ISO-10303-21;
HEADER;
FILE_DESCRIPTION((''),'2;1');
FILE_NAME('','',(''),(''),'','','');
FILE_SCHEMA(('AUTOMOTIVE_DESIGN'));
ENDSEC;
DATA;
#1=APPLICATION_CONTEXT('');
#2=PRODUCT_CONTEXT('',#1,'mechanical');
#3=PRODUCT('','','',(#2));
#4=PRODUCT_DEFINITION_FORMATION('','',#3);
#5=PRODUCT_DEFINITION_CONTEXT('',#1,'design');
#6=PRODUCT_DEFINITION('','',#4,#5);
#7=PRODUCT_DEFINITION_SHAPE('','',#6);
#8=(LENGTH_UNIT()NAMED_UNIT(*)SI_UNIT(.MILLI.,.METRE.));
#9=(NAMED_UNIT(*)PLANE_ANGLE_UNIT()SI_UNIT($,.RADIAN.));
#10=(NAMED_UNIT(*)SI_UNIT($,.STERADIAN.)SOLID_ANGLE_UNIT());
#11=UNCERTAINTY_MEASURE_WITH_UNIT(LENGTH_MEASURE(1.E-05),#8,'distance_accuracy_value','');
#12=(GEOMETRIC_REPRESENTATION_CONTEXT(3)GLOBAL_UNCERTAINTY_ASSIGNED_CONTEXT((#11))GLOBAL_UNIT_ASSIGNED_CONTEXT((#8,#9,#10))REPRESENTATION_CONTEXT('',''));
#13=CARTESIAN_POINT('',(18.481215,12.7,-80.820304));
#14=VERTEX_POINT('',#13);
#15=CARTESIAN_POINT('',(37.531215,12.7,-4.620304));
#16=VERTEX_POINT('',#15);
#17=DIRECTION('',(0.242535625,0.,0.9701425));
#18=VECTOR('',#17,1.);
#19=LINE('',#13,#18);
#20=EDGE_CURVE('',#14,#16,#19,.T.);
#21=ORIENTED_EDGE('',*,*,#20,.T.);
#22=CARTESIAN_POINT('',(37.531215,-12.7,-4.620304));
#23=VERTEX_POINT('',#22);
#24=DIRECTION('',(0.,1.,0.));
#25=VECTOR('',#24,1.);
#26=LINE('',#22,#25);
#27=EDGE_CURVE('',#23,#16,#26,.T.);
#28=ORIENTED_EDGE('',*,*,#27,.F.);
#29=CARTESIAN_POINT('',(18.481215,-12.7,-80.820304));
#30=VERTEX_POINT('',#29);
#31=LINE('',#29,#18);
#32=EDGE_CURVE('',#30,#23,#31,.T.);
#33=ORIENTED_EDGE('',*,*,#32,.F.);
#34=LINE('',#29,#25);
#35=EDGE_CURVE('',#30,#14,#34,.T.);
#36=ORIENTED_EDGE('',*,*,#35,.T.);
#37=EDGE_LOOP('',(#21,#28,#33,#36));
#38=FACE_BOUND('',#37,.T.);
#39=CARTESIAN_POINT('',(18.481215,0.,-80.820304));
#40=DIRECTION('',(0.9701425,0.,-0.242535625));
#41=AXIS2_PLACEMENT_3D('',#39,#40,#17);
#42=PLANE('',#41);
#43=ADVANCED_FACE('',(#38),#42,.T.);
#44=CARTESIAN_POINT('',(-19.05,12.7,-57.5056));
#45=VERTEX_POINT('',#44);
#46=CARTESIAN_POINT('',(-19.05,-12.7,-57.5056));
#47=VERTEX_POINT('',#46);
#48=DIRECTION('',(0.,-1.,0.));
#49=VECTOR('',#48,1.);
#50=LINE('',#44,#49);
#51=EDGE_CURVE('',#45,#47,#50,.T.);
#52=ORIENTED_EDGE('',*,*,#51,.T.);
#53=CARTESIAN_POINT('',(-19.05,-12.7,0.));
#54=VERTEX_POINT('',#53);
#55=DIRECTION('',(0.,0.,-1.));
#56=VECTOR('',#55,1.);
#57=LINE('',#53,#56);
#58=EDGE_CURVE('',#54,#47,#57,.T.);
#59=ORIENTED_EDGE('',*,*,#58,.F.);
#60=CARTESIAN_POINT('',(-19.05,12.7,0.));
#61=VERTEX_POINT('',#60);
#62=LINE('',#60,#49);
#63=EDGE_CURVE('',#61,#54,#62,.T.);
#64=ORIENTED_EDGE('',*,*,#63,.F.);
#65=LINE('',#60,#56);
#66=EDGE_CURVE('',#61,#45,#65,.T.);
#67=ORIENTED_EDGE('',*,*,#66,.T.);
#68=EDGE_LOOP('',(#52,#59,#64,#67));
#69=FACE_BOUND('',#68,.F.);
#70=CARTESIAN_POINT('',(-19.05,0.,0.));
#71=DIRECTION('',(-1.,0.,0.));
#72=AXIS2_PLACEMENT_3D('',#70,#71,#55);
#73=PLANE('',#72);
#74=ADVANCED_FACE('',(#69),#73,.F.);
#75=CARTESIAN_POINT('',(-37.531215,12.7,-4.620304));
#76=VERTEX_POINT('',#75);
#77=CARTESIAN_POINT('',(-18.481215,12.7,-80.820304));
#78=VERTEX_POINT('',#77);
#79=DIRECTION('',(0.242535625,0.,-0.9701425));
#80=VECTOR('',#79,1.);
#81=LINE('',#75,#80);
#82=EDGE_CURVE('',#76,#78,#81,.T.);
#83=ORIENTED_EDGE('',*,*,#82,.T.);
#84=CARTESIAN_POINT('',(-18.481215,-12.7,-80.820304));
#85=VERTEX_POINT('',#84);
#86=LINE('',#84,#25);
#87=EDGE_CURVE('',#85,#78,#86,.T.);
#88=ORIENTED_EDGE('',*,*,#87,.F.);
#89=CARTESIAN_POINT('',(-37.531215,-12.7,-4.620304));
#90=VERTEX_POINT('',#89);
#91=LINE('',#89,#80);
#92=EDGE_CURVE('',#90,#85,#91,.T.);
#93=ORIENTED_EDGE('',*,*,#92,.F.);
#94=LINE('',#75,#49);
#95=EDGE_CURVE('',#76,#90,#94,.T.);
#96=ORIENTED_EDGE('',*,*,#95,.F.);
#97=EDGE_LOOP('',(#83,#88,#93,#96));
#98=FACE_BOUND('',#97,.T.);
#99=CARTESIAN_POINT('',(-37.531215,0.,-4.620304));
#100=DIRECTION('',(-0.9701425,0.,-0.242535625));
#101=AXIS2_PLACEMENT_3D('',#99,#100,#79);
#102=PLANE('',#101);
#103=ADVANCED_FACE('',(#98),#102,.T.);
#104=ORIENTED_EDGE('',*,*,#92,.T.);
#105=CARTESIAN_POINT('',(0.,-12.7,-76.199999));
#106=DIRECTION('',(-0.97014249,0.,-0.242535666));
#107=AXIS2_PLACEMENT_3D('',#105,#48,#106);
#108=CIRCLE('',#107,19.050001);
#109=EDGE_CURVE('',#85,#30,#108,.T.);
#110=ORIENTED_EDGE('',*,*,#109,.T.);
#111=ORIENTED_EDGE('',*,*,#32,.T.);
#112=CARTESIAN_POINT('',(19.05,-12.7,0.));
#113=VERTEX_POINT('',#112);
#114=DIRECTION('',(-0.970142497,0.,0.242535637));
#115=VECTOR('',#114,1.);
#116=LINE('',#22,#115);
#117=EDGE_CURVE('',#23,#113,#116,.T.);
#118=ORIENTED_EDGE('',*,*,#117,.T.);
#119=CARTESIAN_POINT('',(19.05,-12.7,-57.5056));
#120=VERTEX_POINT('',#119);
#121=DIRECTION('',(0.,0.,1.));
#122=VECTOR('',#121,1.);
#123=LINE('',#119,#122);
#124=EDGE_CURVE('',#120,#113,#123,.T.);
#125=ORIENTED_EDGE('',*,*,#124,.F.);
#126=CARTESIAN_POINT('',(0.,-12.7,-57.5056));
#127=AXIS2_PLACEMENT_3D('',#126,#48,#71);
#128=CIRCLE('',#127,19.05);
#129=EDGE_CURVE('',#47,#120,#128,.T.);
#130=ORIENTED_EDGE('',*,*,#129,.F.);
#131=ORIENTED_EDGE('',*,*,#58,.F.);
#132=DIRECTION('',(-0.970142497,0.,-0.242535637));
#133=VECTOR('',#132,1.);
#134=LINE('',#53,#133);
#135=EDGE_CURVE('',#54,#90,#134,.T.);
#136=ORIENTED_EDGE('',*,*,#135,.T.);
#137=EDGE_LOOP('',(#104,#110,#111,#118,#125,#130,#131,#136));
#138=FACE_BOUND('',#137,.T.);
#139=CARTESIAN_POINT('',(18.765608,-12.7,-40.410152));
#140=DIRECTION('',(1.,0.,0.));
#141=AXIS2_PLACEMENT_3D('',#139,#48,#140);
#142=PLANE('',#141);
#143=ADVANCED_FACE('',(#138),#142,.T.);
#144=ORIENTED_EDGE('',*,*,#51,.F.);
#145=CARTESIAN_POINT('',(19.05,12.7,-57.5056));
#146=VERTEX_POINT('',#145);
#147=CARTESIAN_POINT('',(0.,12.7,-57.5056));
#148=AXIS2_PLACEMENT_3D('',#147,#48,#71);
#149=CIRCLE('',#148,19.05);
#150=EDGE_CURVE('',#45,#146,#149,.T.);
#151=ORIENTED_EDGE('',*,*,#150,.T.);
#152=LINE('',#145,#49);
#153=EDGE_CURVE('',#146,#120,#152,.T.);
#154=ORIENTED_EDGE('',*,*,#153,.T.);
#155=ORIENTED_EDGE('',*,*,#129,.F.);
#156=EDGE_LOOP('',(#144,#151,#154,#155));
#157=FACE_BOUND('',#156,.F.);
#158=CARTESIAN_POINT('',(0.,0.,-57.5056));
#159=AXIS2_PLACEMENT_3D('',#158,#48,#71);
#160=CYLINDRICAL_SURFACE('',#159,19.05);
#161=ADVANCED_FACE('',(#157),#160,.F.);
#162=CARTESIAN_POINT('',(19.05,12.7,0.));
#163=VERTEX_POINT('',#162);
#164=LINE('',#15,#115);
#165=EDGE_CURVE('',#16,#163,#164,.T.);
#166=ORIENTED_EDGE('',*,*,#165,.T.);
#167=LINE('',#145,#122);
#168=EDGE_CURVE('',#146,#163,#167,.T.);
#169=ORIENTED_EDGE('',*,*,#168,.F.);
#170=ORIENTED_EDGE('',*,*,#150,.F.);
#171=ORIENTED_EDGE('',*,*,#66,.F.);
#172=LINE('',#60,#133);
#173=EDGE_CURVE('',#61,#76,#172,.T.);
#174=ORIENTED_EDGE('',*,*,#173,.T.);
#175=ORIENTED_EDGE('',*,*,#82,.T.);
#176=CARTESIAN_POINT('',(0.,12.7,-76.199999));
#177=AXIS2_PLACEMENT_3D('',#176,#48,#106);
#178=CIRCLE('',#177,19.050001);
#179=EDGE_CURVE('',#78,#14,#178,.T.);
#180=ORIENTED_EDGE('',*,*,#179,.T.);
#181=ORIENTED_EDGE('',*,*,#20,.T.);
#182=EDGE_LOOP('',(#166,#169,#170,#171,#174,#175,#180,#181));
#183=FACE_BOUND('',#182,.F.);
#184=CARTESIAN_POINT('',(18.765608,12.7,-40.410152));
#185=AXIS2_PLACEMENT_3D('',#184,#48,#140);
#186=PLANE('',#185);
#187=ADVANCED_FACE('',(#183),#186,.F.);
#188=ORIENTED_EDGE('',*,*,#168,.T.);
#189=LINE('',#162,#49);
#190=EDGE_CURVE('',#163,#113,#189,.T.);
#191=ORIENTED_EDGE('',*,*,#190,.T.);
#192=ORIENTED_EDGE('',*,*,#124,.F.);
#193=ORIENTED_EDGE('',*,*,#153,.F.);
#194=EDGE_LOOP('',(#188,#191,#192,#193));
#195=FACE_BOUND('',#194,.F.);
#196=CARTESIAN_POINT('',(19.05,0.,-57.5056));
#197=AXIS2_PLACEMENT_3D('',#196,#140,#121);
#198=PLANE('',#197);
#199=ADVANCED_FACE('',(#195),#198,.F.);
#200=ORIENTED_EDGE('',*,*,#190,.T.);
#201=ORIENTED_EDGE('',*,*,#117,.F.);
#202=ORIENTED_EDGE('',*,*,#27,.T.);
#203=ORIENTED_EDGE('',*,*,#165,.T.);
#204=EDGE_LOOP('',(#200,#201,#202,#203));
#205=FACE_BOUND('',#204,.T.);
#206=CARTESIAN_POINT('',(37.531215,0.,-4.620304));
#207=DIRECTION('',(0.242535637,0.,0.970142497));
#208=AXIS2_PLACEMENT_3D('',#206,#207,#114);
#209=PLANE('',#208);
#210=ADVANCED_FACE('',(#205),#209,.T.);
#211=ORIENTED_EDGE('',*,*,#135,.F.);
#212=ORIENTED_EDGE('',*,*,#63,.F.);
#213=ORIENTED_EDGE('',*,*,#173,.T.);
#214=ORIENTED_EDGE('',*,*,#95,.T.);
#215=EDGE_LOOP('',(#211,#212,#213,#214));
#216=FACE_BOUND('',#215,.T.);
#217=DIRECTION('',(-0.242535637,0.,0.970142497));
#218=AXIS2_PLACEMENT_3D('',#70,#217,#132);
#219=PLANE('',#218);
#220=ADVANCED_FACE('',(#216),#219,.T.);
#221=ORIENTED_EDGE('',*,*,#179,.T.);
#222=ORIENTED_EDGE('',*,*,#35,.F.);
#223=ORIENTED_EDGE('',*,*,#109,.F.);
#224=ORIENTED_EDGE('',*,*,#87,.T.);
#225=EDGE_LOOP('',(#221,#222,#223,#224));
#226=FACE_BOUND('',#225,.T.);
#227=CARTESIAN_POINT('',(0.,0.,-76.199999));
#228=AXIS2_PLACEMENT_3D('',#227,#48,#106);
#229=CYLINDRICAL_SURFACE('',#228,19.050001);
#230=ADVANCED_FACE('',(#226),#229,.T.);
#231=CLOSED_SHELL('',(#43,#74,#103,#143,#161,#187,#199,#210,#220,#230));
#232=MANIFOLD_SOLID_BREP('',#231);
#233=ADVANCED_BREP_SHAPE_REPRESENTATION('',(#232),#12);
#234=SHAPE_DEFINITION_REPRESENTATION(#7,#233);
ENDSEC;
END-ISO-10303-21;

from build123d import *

# Parameters (mm, degrees)
F1_DEPTH = 12.7
F3_DEPTH = 12.7


with BuildPart() as f1:
    # F0 (on Front) → F1 (new body, symmetric)
    with BuildSketch(Plane.XZ):
        Polygon((37.531215, -4.620304), (19.05, 0), (0, -76.2), (18.481215, -80.820304), align=None)
        Polygon((-18.481215, -80.820304), (0, -76.2), (-19.05, 0), (-37.531215, -4.620304), align=None)
        with BuildLine():
            Line((18.481215, -80.820304), (0, -76.2))
            Line((0, -76.2), (-18.481215, -80.820304))
            ThreePointArc((-18.481215, -80.820304), (0, -95.25), (18.481215, -80.820304))
        make_face()
    extrude(amount=F1_DEPTH, both=True)

    # F2 (on Front) → F3 (cut, symmetric)
    with BuildSketch(Plane.XZ):
        with BuildLine():
            Line((-19.05, 0), (-19.05, -57.5056))
            ThreePointArc((-19.05, -57.5056), (0, -76.5556), (19.05, -57.5056))
            Line((19.05, -57.5056), (19.05, 0))
            Line((19.05, 0), (-19.05, 0))
        make_face()
    extrude(amount=F3_DEPTH, both=True, mode=Mode.SUBTRACT)


solid = f1.part
